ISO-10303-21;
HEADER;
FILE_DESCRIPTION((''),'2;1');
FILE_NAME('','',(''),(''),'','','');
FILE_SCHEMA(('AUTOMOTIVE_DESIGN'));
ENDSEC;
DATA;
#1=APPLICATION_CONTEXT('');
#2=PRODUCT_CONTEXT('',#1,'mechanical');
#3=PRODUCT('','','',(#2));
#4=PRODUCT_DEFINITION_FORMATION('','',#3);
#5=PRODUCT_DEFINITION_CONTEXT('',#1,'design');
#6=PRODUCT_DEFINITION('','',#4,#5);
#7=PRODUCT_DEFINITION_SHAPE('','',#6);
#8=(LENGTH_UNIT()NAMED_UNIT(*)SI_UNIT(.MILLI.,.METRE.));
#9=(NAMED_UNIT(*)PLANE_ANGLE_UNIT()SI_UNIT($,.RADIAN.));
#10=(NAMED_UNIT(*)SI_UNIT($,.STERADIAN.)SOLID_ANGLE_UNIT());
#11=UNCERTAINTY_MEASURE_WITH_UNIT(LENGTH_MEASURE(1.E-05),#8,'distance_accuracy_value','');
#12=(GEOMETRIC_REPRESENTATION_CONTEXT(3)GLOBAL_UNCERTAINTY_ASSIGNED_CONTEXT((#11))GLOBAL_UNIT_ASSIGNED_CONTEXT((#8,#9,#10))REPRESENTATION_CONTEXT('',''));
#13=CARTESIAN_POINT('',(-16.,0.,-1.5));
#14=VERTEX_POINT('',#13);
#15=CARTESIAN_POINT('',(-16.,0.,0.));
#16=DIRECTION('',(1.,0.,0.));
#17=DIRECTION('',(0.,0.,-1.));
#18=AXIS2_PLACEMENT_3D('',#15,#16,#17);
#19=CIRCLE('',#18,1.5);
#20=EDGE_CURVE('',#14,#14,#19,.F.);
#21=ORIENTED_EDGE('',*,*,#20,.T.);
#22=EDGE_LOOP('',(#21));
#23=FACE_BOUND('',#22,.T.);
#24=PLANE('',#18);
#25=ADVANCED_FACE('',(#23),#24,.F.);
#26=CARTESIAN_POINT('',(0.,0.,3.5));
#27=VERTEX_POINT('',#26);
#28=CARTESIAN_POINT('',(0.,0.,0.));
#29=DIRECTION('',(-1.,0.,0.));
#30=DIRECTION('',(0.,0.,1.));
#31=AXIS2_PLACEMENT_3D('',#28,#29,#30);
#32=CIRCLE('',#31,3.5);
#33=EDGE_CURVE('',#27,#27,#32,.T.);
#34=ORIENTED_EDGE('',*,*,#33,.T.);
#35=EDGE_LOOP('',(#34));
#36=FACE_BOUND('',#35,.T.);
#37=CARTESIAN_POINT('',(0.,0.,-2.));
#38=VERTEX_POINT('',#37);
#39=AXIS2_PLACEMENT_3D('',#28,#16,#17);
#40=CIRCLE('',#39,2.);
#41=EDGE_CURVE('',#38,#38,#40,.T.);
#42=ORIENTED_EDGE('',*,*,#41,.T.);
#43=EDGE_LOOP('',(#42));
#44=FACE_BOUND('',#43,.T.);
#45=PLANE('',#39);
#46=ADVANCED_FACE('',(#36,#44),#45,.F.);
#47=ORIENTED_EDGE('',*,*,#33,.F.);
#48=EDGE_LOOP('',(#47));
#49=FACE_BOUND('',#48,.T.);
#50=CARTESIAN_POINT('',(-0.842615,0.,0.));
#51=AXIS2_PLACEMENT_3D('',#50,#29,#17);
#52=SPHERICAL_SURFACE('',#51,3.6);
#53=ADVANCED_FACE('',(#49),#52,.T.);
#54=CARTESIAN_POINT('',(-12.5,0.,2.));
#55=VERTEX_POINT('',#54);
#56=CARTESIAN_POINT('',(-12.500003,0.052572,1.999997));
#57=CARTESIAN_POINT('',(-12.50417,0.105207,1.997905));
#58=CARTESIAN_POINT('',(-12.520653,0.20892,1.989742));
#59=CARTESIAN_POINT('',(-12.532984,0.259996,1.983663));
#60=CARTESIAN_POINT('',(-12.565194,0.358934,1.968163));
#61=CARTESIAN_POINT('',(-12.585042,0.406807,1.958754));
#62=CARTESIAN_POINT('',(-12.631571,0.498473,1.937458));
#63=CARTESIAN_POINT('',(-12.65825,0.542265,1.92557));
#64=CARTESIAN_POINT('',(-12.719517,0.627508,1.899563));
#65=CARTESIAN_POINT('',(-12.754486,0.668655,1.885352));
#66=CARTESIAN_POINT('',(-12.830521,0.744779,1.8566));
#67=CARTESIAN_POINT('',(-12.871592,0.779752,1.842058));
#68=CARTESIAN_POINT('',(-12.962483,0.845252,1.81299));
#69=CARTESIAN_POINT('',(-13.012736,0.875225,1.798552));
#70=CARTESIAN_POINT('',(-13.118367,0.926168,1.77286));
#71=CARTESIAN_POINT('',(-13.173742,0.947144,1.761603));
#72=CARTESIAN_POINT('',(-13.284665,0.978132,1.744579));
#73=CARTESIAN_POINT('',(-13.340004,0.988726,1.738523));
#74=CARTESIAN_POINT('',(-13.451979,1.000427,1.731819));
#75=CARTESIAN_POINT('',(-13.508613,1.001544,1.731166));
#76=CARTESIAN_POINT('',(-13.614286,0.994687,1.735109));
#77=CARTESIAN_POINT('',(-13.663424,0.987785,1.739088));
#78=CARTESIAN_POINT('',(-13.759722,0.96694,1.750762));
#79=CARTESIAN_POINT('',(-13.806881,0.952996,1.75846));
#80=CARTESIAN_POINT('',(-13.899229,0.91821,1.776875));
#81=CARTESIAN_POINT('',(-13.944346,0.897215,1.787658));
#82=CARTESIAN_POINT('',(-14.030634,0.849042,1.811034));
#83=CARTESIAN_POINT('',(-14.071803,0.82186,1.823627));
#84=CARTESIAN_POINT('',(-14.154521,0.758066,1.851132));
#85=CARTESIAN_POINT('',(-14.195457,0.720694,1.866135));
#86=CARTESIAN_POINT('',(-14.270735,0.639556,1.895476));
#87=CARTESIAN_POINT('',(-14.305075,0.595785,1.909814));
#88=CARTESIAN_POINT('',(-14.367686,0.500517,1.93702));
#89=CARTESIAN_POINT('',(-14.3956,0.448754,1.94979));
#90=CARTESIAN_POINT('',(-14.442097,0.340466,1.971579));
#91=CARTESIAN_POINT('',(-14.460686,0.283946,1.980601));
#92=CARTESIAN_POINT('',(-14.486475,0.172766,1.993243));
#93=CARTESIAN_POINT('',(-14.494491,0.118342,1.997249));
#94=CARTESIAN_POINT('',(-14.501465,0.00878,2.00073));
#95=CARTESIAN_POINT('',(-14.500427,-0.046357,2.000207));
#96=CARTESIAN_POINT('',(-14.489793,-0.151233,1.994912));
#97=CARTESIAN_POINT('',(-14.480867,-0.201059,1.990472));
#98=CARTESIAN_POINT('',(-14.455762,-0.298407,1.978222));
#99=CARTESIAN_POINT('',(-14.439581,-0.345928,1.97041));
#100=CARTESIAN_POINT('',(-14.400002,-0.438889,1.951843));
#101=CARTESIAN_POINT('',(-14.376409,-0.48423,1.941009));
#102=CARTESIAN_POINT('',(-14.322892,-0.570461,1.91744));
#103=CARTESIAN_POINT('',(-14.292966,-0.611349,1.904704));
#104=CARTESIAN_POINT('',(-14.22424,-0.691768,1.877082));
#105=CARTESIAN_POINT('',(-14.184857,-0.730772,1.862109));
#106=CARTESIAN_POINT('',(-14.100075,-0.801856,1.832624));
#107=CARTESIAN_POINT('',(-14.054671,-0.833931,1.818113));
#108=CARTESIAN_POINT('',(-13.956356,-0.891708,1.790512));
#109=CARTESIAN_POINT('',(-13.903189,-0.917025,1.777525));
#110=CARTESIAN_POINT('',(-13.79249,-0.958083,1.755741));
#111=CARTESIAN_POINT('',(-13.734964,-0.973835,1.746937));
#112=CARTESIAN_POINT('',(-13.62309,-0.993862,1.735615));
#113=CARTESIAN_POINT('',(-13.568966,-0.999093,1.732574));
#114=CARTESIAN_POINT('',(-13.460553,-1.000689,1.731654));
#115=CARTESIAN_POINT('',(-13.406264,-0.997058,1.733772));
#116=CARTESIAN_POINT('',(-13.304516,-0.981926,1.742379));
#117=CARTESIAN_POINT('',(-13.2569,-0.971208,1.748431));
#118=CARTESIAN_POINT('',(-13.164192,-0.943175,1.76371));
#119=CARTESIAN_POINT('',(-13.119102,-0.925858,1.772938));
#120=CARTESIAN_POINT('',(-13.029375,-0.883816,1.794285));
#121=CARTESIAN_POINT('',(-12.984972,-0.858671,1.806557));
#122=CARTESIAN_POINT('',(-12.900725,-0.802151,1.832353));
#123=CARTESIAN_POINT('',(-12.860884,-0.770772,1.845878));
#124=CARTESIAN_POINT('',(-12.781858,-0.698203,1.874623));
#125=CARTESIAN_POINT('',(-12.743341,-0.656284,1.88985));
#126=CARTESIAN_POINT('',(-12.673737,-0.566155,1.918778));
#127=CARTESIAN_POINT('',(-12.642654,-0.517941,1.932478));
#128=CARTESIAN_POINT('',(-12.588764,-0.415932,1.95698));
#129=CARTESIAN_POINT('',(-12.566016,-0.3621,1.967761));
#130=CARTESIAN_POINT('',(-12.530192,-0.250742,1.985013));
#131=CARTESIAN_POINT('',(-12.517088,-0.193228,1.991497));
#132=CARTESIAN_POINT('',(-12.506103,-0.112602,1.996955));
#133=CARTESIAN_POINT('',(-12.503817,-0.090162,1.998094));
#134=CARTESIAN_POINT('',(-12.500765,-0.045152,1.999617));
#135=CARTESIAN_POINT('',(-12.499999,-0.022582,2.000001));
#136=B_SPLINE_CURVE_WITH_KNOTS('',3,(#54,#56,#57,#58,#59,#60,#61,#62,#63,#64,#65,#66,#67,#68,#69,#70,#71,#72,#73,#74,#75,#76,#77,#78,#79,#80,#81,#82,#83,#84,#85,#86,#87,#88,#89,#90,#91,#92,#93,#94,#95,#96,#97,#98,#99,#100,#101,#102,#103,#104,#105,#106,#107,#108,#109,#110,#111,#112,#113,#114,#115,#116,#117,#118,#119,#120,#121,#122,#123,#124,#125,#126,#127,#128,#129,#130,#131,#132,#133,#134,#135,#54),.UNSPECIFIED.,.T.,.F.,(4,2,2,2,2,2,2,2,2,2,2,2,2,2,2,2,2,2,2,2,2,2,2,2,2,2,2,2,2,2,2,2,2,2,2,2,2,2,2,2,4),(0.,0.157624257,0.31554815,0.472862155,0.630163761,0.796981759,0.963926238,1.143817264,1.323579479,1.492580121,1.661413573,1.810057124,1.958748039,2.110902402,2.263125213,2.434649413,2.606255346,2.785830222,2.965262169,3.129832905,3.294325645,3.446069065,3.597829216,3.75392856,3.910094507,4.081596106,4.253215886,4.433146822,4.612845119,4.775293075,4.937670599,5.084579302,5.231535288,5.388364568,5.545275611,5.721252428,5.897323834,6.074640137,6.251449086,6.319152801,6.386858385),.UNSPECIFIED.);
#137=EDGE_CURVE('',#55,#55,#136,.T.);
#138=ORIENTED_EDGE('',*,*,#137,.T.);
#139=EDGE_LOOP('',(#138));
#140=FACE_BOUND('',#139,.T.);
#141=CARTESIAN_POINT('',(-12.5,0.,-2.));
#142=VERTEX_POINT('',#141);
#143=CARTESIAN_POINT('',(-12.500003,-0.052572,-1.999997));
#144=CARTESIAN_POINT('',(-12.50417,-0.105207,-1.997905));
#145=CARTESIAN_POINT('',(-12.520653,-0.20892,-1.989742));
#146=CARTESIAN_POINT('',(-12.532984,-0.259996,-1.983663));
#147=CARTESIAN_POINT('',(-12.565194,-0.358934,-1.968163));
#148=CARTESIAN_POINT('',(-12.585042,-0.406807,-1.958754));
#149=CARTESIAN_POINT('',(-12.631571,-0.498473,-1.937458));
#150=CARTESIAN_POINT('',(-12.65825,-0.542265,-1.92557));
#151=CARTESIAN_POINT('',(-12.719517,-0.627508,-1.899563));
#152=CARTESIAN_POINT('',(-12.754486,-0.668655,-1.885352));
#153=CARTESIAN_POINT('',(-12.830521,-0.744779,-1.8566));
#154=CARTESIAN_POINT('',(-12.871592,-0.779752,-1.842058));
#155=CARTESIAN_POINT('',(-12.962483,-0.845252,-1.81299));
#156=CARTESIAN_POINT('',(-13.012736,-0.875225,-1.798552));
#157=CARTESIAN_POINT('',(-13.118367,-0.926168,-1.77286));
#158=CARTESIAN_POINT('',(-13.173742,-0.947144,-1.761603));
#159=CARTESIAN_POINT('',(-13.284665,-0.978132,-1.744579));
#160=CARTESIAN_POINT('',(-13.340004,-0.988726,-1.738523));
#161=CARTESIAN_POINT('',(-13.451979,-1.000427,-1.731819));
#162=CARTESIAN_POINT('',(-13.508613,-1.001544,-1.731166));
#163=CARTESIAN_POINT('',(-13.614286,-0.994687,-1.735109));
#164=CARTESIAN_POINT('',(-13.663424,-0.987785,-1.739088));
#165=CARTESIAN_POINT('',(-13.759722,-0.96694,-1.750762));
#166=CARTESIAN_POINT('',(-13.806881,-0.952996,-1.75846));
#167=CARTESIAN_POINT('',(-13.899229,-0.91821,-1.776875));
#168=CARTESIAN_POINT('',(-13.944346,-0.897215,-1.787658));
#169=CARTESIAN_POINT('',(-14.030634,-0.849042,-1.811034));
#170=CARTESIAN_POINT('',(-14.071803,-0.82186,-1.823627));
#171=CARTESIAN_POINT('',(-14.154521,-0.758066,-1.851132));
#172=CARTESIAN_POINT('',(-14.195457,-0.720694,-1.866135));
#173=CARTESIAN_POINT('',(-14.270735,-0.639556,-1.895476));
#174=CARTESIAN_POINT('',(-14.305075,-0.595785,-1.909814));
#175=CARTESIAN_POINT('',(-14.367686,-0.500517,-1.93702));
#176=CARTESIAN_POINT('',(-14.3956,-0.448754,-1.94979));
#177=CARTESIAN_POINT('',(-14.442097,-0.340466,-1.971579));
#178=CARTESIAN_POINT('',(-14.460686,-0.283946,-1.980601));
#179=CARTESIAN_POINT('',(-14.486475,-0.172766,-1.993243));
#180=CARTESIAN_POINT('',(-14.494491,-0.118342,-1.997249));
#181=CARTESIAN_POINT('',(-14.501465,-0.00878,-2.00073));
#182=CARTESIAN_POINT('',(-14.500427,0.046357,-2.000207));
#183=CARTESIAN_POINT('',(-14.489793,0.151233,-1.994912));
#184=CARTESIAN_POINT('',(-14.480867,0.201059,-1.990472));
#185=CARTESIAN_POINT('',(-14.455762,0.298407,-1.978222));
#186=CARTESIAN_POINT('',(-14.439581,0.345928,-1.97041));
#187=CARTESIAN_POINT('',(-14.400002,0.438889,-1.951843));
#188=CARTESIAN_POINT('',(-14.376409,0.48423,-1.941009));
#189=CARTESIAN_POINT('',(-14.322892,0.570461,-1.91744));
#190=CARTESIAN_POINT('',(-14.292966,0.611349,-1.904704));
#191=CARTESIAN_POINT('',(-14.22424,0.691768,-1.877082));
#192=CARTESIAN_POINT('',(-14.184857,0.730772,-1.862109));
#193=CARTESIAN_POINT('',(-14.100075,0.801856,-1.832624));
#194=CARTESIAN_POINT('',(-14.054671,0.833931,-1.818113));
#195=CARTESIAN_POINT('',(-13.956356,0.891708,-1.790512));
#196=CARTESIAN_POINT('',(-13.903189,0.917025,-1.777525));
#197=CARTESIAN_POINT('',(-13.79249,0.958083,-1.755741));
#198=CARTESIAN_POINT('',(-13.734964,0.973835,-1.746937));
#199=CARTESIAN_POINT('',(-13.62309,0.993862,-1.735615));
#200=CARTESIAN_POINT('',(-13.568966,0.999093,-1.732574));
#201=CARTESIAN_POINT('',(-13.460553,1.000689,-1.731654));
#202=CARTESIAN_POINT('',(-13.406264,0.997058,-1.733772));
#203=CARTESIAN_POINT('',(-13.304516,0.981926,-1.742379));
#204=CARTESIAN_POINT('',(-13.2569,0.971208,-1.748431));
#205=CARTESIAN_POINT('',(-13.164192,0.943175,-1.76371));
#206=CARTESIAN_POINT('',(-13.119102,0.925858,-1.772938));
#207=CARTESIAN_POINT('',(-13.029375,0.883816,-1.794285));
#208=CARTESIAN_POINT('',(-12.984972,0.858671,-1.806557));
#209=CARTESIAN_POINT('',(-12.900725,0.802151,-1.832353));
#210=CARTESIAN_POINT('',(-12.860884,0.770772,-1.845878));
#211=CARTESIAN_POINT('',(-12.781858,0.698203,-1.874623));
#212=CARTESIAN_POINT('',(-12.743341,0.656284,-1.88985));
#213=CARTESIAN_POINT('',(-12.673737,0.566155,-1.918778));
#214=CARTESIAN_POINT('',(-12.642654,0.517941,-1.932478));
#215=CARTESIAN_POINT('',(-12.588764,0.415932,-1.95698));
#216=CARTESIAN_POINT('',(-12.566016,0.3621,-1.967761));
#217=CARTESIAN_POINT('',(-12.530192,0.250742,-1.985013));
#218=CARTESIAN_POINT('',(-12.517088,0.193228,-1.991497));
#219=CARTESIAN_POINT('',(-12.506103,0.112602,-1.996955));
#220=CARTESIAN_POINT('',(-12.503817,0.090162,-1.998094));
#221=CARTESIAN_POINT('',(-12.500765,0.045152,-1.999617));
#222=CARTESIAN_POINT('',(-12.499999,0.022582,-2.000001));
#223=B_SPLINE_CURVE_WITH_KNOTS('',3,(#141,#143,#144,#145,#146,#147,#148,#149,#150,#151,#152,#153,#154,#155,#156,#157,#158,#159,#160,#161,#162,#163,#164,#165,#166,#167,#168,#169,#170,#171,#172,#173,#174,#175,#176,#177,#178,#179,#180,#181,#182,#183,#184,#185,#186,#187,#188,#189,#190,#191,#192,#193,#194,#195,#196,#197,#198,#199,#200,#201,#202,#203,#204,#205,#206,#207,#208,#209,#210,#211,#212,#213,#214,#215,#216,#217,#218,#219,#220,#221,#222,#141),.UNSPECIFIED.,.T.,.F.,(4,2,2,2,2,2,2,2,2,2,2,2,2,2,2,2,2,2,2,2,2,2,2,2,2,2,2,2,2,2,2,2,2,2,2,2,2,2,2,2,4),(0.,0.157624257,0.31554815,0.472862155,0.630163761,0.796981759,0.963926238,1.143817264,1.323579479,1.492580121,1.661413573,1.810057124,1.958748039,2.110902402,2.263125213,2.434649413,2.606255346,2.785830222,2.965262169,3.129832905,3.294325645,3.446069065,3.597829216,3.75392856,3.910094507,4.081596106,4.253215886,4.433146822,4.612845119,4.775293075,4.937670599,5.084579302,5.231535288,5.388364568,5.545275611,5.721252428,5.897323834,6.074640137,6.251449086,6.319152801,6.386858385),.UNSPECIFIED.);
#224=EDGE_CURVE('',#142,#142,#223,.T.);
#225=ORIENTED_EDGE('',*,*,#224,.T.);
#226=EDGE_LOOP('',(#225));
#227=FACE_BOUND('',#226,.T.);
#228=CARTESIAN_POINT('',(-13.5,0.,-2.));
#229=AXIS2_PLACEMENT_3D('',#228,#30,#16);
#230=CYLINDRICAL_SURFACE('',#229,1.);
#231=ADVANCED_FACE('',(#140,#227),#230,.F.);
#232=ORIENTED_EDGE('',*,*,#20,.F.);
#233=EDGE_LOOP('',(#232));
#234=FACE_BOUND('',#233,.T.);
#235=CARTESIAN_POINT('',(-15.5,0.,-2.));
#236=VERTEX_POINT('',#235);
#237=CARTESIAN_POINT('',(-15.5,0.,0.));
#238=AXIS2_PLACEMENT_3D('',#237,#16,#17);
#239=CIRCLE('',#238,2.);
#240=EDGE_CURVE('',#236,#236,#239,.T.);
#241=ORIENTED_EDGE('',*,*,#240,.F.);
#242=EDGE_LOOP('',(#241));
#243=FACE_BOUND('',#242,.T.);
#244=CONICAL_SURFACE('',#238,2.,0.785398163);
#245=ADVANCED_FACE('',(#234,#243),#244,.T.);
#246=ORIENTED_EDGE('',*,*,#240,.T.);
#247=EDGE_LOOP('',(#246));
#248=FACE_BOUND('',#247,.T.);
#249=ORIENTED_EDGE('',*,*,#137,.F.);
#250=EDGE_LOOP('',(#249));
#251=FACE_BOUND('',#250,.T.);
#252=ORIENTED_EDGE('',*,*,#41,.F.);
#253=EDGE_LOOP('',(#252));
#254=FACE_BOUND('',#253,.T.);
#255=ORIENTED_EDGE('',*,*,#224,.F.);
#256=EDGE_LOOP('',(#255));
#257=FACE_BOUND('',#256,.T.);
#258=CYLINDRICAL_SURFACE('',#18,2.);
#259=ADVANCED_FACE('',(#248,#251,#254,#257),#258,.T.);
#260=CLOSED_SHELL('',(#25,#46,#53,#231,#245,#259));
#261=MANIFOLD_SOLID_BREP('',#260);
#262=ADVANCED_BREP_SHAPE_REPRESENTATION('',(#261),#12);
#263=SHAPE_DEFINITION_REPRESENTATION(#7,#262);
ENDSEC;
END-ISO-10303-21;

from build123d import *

# Parameters (mm, degrees)
SKETCH1_R               = 2
BOSS_EXTRUDE1_DEPTH     = 16
SKETCH2_R               = 1
CUT_EXTRUDE1_DEPTH      = 3
CUT_EXTRUDE1_DEPTH_BACK = 3
CHAMFER1_SIZE           = 0.5


with BuildPart() as part:
    # Sketch1 → Boss-Extrude1 (new body)
    with BuildSketch(Plane(origin=(0, 0, 0), x_dir=(0, 0, -1), z_dir=(1, 0, 0))):
        Circle(SKETCH1_R)
    extrude(amount=-BOSS_EXTRUDE1_DEPTH)

    # Sketch2 → Cut-Extrude1 (cut, two sides)
    with BuildSketch(Plane.XY) as cut_extrude1_sk:
        with Locations((-13.5, 0)):
            Circle(SKETCH2_R)
    extrude(amount=CUT_EXTRUDE1_DEPTH, mode=Mode.SUBTRACT)
    extrude(cut_extrude1_sk.sketch, amount=-CUT_EXTRUDE1_DEPTH_BACK, mode=Mode.SUBTRACT)

    # Sketch3 → Revolve1 (revolve)
    with BuildSketch(Plane(origin=(0, 0, 0), x_dir=(1, 0, 0), z_dir=(0, 1, 0))):
        with BuildLine():
            Line((2.757385023, 0), (0, 0))
            Line((0, 0), (0, 3.5))
            ThreePointArc((0, 3.5), (1.985229955, 2.227844932), (2.757385023, 0))
        make_face()
    revolve(axis=Axis((-5.097766842, 0, 0), (1, 0, 0)))

    # Chamfer1
    chamfer1_edges = [part.edges().sort_by_distance(p)[0] for p in [
        (-16, 0, 2),
    ]]
    chamfer(chamfer1_edges, length=CHAMFER1_SIZE)


solid = part.part
